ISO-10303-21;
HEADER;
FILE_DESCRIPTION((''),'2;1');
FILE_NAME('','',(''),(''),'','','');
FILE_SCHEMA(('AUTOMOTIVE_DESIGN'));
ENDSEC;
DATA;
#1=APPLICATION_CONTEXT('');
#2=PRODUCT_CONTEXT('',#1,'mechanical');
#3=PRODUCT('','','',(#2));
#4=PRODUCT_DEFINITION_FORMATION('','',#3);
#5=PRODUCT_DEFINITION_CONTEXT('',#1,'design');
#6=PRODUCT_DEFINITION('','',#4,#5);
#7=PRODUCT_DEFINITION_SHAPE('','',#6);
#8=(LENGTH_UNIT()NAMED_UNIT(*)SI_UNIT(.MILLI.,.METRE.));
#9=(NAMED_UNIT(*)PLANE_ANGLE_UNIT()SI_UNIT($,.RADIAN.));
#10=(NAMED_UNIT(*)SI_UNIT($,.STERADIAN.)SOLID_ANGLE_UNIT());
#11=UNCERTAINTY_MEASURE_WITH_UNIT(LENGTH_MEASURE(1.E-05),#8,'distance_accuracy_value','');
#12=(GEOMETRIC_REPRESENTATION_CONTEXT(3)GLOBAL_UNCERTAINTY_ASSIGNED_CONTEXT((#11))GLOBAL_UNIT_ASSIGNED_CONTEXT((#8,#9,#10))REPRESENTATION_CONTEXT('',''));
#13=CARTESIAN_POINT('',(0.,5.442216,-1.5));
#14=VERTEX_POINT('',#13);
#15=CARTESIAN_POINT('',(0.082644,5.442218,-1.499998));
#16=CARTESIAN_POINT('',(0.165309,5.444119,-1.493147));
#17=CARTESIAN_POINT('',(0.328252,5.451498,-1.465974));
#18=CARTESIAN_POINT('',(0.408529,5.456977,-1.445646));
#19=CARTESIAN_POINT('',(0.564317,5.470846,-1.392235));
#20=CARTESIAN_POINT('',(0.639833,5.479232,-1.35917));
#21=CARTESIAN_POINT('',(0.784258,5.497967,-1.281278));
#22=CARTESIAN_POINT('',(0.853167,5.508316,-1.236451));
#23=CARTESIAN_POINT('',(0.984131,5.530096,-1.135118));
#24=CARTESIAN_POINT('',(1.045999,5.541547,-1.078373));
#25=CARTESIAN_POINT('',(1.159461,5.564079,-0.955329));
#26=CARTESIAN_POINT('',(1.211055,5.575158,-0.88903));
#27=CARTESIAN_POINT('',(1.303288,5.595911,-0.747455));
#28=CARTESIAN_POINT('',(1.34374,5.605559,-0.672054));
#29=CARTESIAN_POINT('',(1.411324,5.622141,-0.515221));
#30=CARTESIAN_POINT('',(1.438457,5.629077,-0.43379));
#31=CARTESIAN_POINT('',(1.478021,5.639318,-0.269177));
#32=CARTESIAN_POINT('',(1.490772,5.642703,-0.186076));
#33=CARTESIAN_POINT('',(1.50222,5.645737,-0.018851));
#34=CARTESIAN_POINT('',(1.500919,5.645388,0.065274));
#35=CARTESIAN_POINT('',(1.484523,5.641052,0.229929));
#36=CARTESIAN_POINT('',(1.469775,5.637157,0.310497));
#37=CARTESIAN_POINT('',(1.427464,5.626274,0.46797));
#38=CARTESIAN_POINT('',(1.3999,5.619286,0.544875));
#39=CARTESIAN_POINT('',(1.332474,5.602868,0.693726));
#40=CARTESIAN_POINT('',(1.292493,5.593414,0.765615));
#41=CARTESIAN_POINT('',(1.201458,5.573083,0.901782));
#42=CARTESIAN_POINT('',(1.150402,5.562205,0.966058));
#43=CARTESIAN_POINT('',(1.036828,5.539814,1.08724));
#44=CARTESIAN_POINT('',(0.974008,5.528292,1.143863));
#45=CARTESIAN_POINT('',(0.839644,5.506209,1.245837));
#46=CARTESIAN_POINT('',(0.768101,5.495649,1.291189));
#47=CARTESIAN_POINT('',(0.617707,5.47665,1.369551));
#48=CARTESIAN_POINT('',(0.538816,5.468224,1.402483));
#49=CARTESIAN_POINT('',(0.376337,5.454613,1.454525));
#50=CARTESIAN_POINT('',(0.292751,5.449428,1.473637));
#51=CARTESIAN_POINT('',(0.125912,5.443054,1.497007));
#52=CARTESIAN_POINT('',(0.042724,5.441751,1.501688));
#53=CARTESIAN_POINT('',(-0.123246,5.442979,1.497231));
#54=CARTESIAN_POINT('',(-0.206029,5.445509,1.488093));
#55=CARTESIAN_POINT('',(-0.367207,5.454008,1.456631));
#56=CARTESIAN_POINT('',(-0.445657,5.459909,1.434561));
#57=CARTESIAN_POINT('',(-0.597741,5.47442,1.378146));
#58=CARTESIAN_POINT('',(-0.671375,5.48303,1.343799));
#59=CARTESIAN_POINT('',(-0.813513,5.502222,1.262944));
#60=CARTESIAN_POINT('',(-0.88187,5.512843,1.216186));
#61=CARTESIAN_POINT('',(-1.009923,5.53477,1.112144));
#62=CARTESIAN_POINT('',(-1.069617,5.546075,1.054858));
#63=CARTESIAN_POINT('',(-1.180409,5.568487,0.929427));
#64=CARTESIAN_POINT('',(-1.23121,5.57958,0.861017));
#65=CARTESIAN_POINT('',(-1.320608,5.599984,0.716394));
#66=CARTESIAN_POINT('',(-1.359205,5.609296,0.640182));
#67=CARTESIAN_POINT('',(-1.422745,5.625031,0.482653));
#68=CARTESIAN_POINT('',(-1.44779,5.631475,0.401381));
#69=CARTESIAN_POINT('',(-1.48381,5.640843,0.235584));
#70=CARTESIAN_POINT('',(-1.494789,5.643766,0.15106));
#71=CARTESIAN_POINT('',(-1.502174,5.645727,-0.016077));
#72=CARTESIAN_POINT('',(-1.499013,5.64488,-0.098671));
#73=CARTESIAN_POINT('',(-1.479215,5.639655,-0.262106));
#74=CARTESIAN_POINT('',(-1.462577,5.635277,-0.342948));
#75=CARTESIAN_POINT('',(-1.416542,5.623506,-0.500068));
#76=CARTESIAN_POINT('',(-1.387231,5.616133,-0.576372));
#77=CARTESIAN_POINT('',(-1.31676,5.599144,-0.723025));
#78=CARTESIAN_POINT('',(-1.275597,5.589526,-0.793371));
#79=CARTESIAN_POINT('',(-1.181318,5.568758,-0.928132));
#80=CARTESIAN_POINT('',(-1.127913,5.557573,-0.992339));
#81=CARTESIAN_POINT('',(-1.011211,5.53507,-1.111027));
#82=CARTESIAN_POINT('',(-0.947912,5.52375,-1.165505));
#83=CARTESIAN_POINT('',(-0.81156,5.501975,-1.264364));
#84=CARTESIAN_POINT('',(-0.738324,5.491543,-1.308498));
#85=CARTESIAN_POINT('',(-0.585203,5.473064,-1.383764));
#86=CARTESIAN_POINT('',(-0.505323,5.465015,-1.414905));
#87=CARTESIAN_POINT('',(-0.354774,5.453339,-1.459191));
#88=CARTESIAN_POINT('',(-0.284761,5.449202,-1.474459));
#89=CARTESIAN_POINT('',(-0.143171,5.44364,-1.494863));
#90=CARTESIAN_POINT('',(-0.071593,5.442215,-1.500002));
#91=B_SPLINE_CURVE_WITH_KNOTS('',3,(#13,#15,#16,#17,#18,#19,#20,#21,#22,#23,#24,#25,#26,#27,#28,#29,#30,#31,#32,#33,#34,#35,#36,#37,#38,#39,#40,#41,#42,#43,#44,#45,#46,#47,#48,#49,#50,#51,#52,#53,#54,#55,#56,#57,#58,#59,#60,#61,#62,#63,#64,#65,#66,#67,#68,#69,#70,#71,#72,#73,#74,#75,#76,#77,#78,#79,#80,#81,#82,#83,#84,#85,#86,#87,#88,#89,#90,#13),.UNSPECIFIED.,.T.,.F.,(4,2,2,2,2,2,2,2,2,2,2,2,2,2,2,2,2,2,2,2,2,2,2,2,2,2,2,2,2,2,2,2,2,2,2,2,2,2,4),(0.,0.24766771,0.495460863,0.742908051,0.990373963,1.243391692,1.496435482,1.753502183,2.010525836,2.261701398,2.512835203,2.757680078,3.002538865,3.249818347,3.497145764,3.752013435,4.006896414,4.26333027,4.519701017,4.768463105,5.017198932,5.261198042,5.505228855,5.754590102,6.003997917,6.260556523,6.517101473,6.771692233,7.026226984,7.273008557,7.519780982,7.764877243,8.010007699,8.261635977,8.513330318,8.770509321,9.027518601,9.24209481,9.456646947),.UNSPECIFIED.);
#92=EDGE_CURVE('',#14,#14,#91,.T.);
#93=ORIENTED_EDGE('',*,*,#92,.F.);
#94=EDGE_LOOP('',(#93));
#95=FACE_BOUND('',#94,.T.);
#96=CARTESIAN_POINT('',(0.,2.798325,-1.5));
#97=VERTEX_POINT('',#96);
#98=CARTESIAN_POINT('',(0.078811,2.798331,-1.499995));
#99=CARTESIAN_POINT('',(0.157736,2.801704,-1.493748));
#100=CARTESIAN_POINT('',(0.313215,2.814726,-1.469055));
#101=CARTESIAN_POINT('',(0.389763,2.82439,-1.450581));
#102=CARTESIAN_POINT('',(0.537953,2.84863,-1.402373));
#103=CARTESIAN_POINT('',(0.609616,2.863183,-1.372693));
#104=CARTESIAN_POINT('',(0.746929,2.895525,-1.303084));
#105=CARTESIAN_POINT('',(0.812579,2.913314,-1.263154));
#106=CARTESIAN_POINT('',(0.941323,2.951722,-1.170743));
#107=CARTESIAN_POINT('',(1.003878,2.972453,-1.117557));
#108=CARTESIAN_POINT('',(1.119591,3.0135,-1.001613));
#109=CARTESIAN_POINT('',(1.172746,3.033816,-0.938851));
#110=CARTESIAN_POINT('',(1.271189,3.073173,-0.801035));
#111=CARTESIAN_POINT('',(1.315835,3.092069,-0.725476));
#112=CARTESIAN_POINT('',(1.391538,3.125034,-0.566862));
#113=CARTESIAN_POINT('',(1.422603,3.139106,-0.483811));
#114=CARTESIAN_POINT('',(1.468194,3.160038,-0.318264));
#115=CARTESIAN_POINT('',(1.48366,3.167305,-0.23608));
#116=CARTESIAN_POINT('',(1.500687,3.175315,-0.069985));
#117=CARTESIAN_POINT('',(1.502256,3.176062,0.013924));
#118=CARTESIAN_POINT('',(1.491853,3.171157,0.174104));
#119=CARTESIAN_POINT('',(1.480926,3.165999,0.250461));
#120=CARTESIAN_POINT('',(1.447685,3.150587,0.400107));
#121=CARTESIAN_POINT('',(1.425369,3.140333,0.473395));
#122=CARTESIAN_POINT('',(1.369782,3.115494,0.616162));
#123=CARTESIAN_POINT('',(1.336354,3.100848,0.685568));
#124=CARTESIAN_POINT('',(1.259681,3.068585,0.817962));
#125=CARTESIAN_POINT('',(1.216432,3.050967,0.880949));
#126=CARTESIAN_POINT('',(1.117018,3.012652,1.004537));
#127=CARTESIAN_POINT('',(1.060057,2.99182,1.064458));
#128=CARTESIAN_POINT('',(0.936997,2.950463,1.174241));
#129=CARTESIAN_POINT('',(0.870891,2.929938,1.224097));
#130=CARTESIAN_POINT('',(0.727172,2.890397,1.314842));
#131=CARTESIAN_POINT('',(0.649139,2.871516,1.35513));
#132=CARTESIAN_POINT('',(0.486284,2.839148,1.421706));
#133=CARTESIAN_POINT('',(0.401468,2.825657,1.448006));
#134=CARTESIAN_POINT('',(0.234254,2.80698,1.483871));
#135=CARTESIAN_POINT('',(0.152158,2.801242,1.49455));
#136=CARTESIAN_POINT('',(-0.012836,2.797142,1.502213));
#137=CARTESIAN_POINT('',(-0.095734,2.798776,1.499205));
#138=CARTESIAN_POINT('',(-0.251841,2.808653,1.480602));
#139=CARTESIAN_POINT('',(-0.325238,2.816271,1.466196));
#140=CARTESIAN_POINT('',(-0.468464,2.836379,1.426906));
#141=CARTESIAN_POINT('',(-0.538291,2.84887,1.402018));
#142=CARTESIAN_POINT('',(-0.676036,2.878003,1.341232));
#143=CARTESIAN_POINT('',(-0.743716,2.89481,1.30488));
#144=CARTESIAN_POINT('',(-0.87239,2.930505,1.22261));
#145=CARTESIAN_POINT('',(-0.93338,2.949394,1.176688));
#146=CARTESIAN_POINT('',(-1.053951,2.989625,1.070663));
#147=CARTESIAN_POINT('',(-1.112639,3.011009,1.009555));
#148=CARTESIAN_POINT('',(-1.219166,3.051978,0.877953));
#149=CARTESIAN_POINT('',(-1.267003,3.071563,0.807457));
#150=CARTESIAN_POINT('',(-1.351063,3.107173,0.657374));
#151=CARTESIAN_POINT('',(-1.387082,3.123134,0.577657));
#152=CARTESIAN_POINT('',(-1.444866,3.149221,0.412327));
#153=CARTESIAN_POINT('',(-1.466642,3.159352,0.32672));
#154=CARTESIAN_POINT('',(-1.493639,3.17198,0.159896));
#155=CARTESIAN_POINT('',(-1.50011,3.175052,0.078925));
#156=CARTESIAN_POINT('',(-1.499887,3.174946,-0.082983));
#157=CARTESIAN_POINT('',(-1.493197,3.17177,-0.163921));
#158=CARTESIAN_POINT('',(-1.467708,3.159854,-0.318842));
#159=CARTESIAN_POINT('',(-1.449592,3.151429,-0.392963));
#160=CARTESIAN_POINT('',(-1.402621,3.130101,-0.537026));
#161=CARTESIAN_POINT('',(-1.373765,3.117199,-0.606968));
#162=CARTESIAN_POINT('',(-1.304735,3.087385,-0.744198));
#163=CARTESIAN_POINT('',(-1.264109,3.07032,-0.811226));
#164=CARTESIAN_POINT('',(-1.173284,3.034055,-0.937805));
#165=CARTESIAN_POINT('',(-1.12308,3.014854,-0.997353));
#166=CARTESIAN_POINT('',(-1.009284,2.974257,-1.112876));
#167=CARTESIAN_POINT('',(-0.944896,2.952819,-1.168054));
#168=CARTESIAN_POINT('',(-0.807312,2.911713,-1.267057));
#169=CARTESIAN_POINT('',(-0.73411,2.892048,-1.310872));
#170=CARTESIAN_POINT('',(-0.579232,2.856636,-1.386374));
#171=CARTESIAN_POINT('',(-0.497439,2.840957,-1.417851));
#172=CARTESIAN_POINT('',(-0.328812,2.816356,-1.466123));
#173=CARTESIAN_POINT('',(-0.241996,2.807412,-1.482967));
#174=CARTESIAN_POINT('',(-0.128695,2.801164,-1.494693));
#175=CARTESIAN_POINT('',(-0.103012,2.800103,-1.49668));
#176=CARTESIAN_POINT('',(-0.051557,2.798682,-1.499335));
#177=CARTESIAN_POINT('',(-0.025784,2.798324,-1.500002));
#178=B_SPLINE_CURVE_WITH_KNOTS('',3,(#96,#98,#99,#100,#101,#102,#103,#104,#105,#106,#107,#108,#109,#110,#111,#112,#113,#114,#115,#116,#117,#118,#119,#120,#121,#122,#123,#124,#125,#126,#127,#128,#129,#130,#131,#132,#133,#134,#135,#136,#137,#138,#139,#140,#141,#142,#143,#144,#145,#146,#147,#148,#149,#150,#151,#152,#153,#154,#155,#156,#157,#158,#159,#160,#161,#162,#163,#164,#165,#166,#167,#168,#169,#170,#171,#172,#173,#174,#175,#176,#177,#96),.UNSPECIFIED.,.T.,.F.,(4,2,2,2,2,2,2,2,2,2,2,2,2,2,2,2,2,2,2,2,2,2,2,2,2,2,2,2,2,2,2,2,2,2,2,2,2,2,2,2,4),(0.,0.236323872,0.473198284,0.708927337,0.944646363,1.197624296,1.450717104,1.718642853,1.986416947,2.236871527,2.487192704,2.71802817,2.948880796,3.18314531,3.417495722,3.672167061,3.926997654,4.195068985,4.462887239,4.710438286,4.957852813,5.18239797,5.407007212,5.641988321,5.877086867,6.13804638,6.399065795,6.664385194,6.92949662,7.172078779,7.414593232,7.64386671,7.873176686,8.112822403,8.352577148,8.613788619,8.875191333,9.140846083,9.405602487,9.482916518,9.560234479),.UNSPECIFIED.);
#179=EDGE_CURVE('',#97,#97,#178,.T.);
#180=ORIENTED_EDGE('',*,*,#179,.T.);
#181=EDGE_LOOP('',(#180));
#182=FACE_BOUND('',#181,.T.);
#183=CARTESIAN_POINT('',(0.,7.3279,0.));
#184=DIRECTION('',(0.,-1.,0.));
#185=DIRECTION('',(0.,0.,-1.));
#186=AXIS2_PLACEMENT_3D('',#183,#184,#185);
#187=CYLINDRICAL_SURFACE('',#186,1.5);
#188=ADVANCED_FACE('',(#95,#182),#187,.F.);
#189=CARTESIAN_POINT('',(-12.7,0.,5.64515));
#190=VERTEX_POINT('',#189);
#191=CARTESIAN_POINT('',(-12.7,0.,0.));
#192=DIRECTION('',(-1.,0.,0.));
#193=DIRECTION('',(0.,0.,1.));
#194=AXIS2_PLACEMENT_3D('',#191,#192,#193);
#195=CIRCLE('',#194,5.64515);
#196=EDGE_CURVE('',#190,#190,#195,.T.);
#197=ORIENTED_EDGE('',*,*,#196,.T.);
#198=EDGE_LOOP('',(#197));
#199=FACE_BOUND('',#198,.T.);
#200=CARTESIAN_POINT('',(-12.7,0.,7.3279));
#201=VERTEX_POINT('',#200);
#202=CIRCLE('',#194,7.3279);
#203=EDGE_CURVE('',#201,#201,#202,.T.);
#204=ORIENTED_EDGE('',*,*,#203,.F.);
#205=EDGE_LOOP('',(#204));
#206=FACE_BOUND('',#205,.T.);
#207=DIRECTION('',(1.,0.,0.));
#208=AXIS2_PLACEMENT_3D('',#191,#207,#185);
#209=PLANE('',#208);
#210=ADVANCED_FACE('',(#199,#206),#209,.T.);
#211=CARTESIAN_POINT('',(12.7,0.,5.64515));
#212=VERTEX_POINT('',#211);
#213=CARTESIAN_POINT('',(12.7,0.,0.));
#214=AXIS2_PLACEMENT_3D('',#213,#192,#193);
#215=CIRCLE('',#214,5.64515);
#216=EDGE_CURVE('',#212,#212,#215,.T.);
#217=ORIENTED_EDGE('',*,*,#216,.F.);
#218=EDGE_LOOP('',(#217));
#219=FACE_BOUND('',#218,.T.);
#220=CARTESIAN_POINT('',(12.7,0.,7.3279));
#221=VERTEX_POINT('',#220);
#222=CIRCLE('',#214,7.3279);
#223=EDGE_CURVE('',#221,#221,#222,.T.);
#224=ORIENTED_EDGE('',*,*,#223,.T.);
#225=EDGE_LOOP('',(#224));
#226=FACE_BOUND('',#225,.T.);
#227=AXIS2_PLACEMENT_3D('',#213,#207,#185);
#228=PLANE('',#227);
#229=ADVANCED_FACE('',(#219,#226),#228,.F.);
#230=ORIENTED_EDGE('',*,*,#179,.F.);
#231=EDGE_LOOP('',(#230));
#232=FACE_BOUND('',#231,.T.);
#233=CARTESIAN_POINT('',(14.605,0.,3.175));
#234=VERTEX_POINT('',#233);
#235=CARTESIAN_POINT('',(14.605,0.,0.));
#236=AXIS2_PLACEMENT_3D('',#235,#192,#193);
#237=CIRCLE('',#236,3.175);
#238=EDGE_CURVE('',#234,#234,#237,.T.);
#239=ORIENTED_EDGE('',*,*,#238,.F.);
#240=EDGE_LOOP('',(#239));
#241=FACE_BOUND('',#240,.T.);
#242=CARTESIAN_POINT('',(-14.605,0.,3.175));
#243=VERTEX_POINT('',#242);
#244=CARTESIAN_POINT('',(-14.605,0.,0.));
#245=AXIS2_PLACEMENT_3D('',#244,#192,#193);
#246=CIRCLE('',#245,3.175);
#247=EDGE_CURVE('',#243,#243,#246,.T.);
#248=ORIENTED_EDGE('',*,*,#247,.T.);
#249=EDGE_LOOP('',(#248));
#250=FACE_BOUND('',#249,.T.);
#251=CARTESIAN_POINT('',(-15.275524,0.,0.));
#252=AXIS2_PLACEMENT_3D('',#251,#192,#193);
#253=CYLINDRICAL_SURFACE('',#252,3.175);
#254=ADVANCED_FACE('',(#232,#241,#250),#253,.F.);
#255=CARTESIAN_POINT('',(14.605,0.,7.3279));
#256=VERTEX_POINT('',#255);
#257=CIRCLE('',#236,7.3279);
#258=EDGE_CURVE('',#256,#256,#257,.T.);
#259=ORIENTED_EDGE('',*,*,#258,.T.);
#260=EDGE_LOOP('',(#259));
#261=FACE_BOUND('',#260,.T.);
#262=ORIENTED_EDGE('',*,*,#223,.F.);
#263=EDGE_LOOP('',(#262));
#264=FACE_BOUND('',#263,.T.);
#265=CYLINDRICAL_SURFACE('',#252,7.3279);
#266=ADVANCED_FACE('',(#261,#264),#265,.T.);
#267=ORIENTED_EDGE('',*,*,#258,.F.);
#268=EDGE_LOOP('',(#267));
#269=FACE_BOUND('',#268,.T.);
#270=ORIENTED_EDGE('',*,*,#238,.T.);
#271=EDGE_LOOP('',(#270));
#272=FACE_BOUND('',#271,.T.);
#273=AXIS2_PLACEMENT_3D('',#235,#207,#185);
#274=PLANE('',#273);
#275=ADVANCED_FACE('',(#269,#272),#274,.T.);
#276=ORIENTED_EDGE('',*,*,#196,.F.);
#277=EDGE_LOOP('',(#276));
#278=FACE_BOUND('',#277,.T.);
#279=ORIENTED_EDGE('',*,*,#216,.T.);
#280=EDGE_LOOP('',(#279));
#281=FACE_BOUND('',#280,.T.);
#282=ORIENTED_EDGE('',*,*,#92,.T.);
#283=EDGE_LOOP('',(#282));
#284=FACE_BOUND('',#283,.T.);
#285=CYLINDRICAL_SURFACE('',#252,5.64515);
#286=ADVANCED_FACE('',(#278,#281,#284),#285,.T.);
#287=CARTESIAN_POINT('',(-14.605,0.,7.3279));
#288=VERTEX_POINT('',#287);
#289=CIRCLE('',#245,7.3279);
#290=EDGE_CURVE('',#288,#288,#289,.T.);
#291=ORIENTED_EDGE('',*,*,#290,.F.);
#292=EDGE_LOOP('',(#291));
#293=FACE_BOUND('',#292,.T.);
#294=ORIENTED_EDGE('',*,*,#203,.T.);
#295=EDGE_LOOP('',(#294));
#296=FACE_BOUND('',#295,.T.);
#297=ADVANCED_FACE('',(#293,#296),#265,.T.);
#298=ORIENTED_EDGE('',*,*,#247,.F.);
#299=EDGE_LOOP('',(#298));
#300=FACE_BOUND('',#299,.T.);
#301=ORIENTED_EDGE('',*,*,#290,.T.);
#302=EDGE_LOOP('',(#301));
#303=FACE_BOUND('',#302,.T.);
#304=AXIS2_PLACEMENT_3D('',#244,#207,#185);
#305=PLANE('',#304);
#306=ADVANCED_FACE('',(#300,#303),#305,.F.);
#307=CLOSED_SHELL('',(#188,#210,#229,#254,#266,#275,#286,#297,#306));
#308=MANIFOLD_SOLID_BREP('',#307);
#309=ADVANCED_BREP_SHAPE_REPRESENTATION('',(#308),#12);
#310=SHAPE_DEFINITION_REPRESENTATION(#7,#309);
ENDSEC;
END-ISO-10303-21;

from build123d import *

# Parameters (mm, degrees)
SKETCH2_R          = 1.5
CUT_EXTRUDE1_DEPTH = 18.908161877


with BuildPart() as part:
    # Sketch1 → Revolve1 (revolve)
    with BuildSketch(Plane.XY):
        Polygon((14.605, 3.175), (14.605, 7.3279), (12.7, 7.3279), (12.7, 5.64515), (-12.7, 5.64515), (-12.7, 7.3279), (-14.605, 7.3279), (-14.605, 3.175), align=None)
    revolve(axis=Axis((-15.275524476, 0, 0), (1, 0, 0)))

    # Sketch2 → Cut-Extrude1 (cut, through all)
    with BuildSketch(Plane(origin=(0, 0, 0), x_dir=(1, 0, 0), z_dir=(0, 1, 0))):
        Circle(SKETCH2_R)
    extrude(amount=CUT_EXTRUDE1_DEPTH, mode=Mode.SUBTRACT)


solid = part.part
